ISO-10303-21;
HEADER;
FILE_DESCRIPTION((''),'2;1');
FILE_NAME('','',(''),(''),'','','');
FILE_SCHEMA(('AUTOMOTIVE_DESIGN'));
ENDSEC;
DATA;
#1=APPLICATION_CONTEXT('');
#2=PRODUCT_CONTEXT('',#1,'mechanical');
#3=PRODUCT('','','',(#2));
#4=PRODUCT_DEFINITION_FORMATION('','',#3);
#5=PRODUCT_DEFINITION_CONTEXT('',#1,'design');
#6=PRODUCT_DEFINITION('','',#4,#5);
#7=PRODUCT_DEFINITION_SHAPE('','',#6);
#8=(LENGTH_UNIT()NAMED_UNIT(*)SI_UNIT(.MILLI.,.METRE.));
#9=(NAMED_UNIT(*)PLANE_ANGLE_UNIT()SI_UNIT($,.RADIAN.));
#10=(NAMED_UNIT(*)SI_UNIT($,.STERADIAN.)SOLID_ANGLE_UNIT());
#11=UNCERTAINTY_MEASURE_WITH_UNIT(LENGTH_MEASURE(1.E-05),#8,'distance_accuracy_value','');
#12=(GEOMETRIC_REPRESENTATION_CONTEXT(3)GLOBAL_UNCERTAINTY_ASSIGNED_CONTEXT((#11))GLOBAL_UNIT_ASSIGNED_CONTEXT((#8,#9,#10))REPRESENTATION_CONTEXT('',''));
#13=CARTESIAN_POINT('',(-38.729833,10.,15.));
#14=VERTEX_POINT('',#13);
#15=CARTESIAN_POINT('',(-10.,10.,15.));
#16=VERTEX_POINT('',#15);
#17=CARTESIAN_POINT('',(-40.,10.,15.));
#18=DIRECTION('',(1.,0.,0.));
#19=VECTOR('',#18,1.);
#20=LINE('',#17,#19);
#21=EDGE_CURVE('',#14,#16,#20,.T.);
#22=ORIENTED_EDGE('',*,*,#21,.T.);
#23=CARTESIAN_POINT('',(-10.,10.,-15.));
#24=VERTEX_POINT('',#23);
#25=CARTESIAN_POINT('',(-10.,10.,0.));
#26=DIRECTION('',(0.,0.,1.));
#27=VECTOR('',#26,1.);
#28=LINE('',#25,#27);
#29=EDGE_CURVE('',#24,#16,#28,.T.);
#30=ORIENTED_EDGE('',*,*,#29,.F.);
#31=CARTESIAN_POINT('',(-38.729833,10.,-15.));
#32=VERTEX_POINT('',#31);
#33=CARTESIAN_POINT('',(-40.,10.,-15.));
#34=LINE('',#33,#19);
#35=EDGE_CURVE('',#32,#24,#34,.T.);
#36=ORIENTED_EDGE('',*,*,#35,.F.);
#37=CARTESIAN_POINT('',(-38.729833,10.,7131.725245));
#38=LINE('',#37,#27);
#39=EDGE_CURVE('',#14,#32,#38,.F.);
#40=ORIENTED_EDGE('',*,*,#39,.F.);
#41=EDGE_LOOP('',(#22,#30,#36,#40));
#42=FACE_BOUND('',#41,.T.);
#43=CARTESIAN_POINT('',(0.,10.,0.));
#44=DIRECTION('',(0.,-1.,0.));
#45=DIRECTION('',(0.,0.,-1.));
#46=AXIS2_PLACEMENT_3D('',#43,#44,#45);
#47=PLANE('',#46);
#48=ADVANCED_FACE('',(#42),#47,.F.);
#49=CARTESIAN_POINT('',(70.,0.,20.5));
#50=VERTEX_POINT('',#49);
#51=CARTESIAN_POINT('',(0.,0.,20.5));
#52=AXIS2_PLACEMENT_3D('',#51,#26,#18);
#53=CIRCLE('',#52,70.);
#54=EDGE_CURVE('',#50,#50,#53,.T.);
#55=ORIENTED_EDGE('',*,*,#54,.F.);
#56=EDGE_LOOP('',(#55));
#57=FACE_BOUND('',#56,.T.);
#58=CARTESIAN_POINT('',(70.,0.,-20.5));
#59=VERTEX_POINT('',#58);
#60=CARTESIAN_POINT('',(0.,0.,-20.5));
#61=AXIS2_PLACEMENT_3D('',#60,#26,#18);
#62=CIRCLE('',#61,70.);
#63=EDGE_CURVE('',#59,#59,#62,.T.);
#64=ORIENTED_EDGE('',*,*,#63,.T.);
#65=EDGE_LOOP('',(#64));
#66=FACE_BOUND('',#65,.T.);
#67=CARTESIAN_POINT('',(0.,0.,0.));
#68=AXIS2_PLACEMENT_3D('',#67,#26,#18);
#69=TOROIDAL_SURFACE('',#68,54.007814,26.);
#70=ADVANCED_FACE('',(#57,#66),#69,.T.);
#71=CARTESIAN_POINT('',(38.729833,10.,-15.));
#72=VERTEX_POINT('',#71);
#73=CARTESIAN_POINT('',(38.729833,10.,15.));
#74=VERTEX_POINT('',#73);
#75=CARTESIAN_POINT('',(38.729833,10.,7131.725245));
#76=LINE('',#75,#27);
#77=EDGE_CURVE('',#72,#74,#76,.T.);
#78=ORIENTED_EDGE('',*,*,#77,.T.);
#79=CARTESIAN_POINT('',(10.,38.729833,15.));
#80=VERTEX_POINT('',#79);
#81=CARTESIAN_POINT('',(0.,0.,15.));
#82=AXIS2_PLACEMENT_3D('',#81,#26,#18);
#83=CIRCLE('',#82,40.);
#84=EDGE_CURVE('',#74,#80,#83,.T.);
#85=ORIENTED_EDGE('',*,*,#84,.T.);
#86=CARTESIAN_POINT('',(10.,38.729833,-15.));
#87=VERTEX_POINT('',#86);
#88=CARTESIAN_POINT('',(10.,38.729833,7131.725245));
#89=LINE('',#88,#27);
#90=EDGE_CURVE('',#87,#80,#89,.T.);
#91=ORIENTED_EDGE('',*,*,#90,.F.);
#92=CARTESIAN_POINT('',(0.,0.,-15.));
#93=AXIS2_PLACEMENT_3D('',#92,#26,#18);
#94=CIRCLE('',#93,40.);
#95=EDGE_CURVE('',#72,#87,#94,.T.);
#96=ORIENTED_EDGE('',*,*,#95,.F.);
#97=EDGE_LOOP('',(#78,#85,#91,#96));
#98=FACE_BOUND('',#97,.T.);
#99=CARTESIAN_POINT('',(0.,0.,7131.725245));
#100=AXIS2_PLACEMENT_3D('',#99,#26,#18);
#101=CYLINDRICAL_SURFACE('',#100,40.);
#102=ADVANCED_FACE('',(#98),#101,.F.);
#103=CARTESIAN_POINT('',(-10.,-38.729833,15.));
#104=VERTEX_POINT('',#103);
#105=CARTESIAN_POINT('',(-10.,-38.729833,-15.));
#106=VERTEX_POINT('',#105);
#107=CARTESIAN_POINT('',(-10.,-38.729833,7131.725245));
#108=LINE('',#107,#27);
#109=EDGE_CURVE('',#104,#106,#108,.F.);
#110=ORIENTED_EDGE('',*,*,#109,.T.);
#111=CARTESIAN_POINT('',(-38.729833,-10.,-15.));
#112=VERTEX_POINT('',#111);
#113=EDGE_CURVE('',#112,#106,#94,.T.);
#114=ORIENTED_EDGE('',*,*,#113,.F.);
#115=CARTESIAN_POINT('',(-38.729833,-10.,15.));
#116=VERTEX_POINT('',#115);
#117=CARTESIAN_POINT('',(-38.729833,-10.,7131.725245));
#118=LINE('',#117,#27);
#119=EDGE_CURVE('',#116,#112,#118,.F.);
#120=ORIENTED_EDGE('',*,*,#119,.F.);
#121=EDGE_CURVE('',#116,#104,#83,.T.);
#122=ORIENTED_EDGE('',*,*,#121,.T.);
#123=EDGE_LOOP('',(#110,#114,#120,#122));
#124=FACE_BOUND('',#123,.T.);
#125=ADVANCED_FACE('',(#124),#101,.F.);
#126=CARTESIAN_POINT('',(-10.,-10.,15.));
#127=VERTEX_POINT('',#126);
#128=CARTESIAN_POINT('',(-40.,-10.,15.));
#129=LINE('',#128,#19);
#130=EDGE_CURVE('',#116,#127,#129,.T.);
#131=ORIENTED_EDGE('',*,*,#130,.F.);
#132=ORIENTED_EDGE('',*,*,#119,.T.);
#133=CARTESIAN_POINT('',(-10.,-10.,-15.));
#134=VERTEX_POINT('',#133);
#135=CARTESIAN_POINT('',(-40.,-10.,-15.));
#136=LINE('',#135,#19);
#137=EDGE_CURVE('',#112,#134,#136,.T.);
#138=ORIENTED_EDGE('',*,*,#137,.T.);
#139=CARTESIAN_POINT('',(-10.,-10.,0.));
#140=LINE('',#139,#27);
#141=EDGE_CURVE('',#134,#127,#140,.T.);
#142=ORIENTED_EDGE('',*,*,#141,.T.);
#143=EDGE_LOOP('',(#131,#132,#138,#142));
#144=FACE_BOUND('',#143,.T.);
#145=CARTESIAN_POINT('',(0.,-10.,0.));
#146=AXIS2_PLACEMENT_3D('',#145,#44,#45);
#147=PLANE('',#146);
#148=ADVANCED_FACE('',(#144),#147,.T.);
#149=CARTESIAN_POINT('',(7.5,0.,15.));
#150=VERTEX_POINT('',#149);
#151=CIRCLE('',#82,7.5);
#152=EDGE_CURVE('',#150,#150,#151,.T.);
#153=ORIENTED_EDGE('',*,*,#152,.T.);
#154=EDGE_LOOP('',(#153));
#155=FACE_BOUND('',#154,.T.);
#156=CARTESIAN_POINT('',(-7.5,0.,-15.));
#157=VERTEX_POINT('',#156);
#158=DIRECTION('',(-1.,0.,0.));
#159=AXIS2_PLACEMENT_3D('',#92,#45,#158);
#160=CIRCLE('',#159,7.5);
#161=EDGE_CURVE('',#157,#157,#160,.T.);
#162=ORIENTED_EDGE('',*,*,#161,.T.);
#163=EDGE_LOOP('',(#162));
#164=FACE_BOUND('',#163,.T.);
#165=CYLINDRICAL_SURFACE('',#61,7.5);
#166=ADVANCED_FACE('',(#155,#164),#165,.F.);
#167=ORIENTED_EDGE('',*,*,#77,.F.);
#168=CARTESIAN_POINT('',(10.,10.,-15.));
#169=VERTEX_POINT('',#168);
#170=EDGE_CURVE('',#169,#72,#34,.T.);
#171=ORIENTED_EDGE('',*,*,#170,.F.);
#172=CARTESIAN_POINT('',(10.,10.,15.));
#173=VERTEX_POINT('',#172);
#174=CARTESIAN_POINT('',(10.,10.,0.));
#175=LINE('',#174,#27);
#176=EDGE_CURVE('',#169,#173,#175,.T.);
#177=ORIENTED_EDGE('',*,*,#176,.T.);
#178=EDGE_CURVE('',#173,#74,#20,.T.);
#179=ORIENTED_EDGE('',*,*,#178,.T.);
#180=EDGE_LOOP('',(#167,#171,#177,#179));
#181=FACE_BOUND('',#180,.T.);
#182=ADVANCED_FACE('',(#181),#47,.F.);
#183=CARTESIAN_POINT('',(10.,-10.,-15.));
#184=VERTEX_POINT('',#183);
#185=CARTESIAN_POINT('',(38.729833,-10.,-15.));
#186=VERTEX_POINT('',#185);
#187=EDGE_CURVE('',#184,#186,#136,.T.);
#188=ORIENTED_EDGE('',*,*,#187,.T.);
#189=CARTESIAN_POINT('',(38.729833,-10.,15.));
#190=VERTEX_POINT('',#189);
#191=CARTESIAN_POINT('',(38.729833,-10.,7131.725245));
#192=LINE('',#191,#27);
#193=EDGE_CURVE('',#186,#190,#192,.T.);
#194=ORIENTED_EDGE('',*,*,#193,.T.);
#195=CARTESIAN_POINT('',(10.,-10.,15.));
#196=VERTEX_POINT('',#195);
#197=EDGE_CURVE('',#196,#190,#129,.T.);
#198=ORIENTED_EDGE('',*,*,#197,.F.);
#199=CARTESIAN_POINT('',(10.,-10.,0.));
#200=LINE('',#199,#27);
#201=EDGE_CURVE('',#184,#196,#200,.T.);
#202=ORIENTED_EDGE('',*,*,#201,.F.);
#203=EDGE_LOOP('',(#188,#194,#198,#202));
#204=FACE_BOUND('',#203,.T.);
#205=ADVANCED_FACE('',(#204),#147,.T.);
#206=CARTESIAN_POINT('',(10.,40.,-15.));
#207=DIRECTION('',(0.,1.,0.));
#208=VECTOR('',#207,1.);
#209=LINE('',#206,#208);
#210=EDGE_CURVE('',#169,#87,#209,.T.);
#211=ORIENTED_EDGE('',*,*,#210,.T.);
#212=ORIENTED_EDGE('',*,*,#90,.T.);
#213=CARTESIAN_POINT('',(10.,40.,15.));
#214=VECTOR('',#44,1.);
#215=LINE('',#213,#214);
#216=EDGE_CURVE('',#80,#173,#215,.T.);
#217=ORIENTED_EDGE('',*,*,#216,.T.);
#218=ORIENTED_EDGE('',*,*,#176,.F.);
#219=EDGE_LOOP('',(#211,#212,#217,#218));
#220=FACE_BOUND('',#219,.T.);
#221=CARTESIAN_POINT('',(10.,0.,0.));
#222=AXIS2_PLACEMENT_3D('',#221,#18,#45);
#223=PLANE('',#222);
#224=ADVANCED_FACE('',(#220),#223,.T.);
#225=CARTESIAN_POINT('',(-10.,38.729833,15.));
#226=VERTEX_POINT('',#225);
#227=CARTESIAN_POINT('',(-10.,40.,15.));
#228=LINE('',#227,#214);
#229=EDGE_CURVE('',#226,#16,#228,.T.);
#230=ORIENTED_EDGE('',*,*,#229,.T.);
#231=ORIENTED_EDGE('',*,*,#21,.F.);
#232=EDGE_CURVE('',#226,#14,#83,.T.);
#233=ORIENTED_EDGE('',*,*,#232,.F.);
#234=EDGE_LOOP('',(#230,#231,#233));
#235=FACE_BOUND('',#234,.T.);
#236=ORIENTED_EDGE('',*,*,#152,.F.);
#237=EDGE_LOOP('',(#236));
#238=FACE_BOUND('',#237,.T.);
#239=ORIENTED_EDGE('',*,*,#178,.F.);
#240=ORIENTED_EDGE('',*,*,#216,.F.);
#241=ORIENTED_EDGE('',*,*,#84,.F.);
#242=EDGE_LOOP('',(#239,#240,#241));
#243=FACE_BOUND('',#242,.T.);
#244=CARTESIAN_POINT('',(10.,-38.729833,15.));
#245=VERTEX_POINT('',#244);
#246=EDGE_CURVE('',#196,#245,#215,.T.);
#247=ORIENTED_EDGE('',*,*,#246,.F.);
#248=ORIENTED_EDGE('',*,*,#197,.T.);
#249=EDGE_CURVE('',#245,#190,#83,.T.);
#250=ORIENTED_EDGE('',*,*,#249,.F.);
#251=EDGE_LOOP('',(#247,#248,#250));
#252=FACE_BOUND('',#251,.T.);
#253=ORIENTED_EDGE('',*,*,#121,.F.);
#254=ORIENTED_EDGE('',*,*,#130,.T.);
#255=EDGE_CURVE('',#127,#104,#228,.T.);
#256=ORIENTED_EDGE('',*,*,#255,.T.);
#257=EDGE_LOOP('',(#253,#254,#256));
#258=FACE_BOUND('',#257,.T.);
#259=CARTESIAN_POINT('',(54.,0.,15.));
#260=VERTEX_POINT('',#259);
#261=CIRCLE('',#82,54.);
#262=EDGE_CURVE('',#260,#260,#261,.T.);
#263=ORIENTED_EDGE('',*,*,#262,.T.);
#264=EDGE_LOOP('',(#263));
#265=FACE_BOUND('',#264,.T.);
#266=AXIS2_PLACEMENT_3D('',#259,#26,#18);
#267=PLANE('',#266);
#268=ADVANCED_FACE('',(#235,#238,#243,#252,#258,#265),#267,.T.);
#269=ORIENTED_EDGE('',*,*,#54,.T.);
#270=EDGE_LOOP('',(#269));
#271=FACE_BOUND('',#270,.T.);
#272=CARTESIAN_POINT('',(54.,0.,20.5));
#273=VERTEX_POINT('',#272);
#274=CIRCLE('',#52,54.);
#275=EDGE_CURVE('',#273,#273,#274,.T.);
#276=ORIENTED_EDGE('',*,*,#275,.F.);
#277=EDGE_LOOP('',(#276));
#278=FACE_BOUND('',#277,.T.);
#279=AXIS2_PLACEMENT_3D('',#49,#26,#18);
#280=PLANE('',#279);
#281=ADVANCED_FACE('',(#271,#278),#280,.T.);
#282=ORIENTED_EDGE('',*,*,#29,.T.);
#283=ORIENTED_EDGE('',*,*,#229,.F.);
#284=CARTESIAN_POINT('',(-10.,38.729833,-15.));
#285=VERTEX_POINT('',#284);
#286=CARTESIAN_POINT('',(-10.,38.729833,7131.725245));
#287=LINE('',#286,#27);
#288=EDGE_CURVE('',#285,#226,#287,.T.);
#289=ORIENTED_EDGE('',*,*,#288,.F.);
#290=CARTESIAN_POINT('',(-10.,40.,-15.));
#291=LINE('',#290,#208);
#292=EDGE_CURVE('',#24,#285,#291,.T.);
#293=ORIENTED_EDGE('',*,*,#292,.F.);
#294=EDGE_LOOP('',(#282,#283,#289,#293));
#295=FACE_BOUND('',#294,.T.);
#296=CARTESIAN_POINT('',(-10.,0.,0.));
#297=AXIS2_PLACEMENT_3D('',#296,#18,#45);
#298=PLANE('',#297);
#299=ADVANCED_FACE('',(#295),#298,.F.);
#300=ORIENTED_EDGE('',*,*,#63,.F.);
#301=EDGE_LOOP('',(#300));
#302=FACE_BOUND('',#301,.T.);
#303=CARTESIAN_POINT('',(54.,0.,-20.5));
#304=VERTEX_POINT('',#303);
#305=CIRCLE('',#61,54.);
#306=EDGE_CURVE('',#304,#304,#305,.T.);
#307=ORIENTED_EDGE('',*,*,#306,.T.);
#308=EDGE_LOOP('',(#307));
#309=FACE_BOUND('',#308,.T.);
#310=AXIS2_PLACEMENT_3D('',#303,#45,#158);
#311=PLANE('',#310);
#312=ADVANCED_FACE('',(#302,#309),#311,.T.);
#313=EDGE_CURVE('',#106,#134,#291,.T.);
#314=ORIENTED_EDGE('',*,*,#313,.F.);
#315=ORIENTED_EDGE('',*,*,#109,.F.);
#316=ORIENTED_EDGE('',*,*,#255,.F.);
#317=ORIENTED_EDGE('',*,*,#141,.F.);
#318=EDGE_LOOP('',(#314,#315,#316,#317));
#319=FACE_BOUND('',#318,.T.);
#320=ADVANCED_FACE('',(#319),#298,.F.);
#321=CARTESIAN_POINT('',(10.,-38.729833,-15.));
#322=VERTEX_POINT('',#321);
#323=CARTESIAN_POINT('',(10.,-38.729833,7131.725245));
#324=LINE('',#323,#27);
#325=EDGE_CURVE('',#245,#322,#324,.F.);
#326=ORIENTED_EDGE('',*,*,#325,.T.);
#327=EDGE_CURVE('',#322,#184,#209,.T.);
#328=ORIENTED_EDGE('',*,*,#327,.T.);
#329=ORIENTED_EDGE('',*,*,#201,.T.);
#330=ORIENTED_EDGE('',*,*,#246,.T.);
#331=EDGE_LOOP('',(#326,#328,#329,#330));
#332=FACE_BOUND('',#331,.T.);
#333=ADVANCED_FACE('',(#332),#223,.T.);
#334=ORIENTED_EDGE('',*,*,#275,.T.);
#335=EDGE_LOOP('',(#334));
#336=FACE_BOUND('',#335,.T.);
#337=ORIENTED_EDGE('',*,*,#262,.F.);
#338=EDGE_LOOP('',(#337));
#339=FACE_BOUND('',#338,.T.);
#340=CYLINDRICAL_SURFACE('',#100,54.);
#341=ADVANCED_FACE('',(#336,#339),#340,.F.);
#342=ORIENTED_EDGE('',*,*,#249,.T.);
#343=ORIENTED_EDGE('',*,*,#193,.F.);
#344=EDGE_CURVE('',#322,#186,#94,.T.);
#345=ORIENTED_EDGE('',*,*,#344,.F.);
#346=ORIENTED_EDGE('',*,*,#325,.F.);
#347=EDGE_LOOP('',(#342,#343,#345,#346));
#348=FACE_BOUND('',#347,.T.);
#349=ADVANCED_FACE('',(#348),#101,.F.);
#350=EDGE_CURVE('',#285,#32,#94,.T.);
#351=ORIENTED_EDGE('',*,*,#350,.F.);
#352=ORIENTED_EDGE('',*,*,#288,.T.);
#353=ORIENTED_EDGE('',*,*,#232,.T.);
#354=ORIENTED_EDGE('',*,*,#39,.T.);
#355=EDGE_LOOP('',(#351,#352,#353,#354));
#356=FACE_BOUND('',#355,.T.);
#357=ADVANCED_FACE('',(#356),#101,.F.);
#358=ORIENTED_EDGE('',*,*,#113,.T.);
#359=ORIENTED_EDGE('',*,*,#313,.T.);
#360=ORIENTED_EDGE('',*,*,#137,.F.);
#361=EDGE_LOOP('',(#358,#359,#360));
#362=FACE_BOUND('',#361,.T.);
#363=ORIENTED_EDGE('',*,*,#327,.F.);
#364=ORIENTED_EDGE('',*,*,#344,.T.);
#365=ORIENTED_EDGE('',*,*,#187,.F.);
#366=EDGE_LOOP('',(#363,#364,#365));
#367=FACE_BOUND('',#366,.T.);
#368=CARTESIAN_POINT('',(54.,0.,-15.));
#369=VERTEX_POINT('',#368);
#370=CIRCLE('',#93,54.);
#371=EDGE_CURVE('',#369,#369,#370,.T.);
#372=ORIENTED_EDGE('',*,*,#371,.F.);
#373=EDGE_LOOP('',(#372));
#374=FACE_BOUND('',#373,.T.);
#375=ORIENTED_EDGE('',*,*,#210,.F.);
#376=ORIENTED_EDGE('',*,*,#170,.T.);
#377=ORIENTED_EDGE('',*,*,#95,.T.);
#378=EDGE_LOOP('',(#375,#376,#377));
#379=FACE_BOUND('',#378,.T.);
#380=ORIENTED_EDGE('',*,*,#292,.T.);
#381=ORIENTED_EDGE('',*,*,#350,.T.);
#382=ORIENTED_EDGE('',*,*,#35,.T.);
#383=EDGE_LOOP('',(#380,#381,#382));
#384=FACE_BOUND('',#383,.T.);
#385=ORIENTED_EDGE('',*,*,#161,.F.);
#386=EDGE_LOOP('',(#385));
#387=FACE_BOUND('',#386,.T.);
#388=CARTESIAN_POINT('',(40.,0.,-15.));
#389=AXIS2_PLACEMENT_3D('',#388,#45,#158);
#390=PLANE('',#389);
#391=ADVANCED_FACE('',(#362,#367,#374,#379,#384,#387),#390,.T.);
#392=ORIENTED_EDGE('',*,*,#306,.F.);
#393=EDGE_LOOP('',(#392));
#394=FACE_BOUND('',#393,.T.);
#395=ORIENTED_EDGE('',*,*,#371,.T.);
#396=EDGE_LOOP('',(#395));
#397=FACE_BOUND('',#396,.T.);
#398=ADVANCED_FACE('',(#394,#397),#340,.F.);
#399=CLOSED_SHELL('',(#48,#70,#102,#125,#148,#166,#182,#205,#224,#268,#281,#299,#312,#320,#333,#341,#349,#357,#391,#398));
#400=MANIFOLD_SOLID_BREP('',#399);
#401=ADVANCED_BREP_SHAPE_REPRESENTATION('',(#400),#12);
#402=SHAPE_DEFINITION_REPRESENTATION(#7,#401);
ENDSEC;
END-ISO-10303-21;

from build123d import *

# Parameters (mm, degrees)
SKETCH3_W               = 80
SKETCH3_H               = 30
BOSS_EXTRUDE3_DEPTH     = 10
SKETCH5_W               = 30
SKETCH5_H               = 80
BOSS_EXTRUDE4_DEPTH     = 10
CUT_EXTRUDE1_DEPTH      = 115.990220301
CUT_EXTRUDE1_DEPTH_BACK = 115.990220301
SKETCH7_R               = 7.5


with BuildPart() as part:
    # Sketch1 → Revolve1 (revolve)
    with BuildSketch(Plane(origin=(0, 0, 0), x_dir=(1, 0, 0), z_dir=(0, 1, 0))):
        with BuildLine():
            Line((40, 15), (40, -15))
            Line((40, -15), (54, -15))
            Line((54, -15), (54, -20.5))
            Line((54, -20.5), (70, -20.5))
            ThreePointArc((70, -20.5), (80.007814408, 0), (70, 20.5))
            Line((70, 20.5), (54, 20.5))
            Line((54, 20.5), (54, 15))
            Line((54, 15), (40, 15))
        make_face()
    revolve(axis=Axis((0, 0, 7131.725244947), (0, 0, -1)))

    # Sketch3 → Boss-Extrude3 (add, symmetric)
    with BuildSketch(Plane(origin=(0, 0, 0), x_dir=(1, 0, 0), z_dir=(0, 1, 0))):
        Rectangle(SKETCH3_W, SKETCH3_H)
    extrude(amount=BOSS_EXTRUDE3_DEPTH, both=True)

    # Sketch5 → Boss-Extrude4 (add, symmetric)
    with BuildSketch(Plane(origin=(0, 0, 0), x_dir=(0, 0, -1), z_dir=(1, 0, 0))):
        Rectangle(SKETCH5_W, SKETCH5_H)
    extrude(amount=BOSS_EXTRUDE4_DEPTH, both=True)

    # Sketch7 → Cut-Extrude1 (cut, two sides: drawn at the far end of the back side and taken through both)
    with BuildSketch(Plane.XY.offset(-CUT_EXTRUDE1_DEPTH_BACK)):
        Circle(SKETCH7_R)
    extrude(amount=CUT_EXTRUDE1_DEPTH + CUT_EXTRUDE1_DEPTH_BACK, mode=Mode.SUBTRACT)


solid = part.part
